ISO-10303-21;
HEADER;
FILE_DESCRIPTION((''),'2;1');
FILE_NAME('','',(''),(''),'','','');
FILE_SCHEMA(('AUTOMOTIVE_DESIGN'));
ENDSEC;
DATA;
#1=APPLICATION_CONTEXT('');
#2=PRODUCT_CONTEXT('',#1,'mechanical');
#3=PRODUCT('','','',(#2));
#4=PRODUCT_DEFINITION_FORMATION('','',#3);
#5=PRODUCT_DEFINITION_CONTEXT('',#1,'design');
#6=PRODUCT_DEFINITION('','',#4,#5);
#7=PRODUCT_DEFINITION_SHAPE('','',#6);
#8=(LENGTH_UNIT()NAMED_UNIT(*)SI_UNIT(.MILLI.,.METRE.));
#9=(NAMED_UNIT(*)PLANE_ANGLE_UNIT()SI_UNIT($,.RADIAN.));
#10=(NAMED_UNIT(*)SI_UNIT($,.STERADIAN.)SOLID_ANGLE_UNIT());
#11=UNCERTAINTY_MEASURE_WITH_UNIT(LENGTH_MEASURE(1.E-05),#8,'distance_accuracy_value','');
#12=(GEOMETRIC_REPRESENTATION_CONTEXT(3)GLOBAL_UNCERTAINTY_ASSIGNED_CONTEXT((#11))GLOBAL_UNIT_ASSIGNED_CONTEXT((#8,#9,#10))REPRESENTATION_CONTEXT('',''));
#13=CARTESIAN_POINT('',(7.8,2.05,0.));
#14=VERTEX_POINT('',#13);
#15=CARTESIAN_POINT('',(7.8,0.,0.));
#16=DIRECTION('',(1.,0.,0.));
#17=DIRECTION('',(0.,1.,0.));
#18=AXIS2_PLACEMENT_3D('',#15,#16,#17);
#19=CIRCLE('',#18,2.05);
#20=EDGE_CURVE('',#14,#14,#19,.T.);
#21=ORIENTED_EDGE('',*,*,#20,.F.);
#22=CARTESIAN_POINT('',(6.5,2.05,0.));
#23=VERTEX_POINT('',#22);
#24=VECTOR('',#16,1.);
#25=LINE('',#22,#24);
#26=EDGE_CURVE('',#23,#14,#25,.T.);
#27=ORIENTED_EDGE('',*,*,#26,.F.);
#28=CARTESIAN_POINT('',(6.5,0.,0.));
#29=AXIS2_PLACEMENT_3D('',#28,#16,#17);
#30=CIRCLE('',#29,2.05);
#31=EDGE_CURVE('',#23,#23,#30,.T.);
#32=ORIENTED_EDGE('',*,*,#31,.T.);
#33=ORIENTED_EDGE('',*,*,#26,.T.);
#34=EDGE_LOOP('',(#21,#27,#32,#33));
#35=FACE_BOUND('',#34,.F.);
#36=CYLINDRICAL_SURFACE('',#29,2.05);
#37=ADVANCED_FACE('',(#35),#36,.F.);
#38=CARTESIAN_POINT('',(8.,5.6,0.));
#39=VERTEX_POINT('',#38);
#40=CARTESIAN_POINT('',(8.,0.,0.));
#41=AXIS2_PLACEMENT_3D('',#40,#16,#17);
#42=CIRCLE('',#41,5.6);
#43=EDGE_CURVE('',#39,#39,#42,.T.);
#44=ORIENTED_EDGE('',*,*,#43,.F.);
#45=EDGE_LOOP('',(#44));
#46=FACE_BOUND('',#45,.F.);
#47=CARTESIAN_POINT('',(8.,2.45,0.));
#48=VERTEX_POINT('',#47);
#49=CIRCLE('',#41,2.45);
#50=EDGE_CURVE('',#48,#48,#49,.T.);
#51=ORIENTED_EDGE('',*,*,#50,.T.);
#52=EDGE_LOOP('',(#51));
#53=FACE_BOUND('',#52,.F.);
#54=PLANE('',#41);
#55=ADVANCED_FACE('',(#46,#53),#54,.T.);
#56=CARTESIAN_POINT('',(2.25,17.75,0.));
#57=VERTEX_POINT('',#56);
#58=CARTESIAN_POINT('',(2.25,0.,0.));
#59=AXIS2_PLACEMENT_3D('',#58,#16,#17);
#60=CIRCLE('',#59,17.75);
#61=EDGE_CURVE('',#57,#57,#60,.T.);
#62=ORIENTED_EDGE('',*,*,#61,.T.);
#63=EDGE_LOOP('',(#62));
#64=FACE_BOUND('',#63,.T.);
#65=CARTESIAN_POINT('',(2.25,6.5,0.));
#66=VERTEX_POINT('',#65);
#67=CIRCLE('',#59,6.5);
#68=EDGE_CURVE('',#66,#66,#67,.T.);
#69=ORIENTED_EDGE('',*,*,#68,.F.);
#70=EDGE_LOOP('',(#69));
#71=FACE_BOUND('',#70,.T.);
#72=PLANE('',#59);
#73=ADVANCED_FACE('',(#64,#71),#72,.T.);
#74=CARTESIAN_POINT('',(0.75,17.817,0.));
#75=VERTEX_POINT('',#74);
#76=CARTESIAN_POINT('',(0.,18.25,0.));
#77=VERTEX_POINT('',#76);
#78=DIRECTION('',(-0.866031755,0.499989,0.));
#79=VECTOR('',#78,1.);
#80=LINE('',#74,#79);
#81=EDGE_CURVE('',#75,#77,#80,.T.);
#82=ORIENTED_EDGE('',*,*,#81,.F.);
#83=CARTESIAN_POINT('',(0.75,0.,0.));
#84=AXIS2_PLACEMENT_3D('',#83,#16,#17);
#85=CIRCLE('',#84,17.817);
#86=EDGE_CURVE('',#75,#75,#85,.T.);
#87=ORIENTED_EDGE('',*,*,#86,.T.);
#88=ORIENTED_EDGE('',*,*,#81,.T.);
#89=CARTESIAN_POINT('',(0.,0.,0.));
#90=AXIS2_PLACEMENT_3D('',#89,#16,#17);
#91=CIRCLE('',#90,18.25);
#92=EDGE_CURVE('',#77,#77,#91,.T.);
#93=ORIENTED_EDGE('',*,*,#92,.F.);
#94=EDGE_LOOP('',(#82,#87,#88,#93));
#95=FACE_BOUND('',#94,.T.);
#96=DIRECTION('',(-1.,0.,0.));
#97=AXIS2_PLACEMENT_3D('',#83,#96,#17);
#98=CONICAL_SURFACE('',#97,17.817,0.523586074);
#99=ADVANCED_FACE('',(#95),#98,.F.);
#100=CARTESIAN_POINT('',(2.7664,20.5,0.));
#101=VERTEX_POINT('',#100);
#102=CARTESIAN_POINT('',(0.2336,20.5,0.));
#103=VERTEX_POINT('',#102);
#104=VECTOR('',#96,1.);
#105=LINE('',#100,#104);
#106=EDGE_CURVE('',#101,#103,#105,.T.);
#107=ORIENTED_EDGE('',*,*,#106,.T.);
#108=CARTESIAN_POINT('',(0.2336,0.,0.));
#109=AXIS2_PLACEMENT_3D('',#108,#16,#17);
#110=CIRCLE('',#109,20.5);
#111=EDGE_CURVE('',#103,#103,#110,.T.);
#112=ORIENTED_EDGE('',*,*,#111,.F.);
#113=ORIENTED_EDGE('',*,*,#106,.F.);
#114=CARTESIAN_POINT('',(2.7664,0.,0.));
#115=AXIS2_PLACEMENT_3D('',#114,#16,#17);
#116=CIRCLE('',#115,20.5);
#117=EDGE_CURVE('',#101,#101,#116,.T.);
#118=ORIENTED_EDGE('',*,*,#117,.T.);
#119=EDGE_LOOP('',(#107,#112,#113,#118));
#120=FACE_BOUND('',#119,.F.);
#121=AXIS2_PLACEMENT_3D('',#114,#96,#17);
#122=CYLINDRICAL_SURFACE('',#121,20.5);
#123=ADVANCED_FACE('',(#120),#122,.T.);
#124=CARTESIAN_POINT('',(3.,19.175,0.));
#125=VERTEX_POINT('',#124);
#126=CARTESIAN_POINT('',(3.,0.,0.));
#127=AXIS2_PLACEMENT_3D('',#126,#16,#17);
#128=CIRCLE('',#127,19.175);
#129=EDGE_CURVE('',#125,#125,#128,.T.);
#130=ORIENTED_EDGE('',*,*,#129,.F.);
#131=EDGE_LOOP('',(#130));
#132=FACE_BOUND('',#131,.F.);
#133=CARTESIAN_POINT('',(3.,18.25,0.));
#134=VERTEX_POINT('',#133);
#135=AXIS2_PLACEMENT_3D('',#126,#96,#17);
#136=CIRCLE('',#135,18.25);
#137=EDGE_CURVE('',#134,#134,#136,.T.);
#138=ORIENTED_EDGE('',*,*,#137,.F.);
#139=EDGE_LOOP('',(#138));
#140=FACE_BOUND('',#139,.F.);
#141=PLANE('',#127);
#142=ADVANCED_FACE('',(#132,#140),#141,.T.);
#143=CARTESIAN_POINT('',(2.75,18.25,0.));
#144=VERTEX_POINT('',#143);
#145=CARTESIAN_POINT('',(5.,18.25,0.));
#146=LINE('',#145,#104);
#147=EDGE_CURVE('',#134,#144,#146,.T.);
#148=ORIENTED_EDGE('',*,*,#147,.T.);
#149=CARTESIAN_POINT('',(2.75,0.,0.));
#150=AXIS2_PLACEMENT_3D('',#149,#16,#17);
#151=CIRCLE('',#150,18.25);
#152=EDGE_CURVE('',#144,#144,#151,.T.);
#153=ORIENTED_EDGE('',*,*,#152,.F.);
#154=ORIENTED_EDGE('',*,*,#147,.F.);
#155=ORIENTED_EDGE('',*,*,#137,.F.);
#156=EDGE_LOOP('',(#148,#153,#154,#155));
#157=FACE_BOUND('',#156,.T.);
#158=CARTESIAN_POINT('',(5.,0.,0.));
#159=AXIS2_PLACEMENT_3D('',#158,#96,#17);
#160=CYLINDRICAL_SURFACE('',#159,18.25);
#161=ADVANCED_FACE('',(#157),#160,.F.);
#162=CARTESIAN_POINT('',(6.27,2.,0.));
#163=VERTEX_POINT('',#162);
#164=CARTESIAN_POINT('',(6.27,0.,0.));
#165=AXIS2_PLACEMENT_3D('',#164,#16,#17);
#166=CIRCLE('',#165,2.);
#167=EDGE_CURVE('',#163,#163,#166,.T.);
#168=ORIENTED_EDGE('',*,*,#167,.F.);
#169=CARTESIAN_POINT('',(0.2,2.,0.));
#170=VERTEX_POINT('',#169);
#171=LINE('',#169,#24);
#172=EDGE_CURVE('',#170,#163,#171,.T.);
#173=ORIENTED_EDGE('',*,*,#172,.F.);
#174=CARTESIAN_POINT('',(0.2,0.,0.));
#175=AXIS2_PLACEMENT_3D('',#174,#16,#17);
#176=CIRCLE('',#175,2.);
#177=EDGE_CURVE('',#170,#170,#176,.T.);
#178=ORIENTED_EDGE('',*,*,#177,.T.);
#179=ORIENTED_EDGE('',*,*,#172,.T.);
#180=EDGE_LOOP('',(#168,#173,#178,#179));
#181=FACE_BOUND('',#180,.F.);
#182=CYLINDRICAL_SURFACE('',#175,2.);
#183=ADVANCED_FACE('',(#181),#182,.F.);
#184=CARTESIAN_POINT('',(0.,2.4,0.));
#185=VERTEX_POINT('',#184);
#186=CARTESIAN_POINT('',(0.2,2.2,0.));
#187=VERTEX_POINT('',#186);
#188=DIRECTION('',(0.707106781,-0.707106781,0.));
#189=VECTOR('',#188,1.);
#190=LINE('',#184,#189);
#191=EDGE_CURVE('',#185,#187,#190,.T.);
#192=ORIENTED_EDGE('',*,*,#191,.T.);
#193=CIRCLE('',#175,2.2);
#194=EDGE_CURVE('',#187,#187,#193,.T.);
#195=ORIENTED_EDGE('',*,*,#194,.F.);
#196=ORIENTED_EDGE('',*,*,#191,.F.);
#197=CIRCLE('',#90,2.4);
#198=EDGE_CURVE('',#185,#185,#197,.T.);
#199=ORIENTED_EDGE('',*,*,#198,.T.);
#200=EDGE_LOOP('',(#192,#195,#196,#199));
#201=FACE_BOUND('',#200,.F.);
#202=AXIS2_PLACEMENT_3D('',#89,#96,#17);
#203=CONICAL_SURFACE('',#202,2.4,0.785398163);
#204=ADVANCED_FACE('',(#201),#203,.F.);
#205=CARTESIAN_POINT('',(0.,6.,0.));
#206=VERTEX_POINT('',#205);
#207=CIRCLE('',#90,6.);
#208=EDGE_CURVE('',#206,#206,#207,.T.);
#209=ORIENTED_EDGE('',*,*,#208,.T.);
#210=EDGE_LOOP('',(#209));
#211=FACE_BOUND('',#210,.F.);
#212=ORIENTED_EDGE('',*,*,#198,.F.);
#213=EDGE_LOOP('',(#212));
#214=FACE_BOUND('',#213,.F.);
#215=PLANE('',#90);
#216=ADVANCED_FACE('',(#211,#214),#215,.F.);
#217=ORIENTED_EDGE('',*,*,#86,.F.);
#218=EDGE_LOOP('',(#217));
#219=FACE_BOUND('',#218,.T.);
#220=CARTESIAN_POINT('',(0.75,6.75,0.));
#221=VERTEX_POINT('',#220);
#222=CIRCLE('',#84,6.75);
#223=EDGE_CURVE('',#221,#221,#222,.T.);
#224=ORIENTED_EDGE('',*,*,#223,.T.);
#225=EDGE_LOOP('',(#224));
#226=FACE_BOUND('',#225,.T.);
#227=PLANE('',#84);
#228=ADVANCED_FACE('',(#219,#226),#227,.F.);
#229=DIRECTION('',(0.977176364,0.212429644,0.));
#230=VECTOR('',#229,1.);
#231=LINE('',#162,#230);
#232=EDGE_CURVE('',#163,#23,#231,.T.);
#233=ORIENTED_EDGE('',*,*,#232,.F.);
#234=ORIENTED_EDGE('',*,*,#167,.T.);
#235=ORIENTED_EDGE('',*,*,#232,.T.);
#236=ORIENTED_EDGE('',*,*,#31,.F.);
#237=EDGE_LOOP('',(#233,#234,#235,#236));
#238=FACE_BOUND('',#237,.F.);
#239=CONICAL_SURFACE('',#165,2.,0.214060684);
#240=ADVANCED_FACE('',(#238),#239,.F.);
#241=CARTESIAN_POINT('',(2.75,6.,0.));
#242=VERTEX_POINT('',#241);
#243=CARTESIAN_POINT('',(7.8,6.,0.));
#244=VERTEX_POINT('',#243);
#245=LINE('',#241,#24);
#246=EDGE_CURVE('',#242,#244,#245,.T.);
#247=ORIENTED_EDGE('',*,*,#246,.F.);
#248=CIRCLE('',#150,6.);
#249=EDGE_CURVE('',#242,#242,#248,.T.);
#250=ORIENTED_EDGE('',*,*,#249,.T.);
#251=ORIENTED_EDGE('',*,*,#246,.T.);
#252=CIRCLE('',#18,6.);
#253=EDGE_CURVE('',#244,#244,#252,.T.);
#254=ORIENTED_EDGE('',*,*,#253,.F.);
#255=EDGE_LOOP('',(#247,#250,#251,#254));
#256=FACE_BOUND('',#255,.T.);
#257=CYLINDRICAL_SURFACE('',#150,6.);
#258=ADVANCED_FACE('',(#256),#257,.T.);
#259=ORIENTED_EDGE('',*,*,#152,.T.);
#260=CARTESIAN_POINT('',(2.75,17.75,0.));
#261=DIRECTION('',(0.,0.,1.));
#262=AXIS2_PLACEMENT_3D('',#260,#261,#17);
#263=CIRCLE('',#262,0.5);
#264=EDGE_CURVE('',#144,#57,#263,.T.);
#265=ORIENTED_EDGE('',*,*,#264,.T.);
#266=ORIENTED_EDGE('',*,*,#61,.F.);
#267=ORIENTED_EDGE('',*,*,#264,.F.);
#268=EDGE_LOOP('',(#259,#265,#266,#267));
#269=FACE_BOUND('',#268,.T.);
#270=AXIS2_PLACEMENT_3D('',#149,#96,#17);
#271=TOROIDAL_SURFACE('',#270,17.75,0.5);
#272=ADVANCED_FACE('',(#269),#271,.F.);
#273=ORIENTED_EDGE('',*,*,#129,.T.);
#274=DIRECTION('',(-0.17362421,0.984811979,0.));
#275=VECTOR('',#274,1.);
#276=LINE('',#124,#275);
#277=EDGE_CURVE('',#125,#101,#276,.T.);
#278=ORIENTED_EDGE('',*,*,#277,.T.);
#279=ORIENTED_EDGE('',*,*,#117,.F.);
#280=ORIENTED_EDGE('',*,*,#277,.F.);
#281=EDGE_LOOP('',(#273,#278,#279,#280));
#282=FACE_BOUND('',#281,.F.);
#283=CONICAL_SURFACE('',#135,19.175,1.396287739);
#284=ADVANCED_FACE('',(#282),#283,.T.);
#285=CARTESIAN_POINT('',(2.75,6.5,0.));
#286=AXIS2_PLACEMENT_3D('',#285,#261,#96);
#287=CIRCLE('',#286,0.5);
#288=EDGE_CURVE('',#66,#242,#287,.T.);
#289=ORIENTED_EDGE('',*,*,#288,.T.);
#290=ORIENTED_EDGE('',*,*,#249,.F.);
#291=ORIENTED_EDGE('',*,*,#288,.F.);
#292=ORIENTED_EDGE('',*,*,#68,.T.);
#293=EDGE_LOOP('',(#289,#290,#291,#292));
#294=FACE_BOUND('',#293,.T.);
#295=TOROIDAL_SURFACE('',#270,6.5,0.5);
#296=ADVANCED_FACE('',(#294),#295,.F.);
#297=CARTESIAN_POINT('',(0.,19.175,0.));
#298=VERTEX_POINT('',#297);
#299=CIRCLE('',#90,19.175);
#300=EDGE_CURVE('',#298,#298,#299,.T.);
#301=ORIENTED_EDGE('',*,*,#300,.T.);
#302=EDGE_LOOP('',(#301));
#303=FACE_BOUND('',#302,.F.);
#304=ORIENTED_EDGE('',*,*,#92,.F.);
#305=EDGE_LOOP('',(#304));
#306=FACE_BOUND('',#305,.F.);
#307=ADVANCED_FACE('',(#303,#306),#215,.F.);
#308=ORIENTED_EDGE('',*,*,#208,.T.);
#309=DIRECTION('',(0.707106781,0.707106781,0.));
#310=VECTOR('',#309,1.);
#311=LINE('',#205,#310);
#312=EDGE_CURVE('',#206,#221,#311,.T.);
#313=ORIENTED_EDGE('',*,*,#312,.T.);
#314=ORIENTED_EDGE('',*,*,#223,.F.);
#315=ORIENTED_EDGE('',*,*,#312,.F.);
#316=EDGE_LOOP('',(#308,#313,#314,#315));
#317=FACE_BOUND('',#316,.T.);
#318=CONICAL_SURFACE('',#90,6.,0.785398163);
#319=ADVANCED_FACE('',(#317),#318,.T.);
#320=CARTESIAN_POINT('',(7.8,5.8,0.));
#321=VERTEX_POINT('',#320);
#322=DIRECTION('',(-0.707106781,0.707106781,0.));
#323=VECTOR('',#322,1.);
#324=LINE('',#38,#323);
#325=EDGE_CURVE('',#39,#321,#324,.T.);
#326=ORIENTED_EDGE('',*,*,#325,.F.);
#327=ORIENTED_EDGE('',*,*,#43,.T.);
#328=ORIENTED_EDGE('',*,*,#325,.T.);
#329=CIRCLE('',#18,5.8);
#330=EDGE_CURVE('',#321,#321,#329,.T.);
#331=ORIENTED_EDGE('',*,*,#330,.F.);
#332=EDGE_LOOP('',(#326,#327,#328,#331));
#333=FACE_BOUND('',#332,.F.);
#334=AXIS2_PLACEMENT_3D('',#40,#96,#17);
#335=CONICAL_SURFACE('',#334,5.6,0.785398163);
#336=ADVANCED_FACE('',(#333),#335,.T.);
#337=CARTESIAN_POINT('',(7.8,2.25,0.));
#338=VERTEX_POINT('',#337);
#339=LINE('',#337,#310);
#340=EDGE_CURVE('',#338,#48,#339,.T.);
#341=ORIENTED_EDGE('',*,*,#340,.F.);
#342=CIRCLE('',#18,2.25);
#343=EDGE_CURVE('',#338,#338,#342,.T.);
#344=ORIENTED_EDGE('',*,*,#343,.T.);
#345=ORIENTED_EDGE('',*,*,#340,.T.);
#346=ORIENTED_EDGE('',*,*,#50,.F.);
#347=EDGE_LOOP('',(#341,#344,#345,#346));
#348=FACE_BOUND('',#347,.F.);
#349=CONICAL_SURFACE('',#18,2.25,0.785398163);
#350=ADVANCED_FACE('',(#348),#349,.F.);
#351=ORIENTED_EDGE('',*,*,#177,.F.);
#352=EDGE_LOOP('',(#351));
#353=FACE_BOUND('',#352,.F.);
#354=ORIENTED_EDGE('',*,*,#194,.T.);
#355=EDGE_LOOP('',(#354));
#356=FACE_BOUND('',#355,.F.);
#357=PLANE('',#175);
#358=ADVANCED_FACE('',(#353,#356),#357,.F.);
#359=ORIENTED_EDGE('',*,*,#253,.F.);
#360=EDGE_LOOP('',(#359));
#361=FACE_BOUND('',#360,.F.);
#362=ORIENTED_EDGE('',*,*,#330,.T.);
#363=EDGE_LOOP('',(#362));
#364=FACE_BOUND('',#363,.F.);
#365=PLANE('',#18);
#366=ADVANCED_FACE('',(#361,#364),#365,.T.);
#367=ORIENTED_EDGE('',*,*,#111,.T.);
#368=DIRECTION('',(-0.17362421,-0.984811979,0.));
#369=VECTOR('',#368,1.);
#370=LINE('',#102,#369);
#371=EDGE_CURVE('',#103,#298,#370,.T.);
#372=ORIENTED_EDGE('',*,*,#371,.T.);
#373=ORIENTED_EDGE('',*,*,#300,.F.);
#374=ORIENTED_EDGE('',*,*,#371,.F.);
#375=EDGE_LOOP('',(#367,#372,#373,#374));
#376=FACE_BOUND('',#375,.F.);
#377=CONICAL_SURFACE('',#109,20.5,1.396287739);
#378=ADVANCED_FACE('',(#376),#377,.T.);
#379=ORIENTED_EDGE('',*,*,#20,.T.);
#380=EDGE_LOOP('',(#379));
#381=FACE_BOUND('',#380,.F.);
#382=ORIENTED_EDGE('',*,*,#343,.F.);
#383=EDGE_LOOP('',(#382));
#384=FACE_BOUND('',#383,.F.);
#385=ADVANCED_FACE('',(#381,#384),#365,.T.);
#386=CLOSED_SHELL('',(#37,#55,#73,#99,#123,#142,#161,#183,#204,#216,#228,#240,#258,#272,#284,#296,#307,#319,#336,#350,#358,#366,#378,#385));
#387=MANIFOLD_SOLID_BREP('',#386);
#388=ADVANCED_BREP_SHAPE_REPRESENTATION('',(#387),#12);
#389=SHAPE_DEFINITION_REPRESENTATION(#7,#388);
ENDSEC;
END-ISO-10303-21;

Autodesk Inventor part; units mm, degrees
ref_plane "YZ Plane" through (0, 0, 0) normal (1, 0, 0) x (0, 1, 0)
ref_plane "XZ Plane" through (0, 0, 0) normal (0, 1, 0) x (-1, 0, 0)
ref_plane "XY Plane" through (0, 0, 0) normal (0, 0, 1) x (1, 0, 0)
sketch "Sketch_2" plane through (0, 0, 0) normal (0, 0, 1) x (1, 0, 0)
  line L0 (8, 0) -> (0, 0)
  line L1 (0, 2.4) -> (0.2, 2.2)
  line L2 (0.2, 2.2) -> (0.2, 2)
  line L3 (0.2, 2) -> (6.27, 2)
  line L4 (6.27, 2) -> (6.5, 2.05)
  line L5 (6.5, 2.05) -> (7.8, 2.05)
  line L6 (7.8, 2.05) -> (7.8, 2.25)
  line L7 (7.8, 2.25) -> (8, 2.45)
  line L8 (8, 2.45) -> (8, 5.6)
  line L9 (8, 5.6) -> (7.8, 5.8)
  line L10 (7.8, 5.8) -> (7.8, 6)
  line L11 (7.8, 6) -> (3.5, 6)
  arc A0 (3, 6.5) -> (3.5, 6) centre (3.5, 6.5) ccw
  line L12 (3, 6.5) -> (3, 19.175)
  line L13 (3, 19.175) -> (2.7664, 20.5)
  line L14 (2.7664, 20.5) -> (0.2336, 20.5)
  line L15 (0.2336, 20.5) -> (0, 19.175)
  line L16 (0, 19.175) -> (0, 2.4)
revolve "Revolution1" add sketch "Sketch_2" angle 360 about axis through (8, 0, 0) along (1, 0, 0)
sketch "Sketch_3" plane through (0, 0, 0) normal (0, 0, 1) x (1, 0, 0)
  line L0 (0.75, 0) -> (0, 0)
  line L1 (-2, 18.25) -> (-2, 6)
  line L2 (-2, 6) -> (0, 6)
  line L3 (0, 6) -> (0.75, 6.75)
  line L4 (0.75, 6.75) -> (0.75, 17.817)
  line L5 (0.75, 17.817) -> (0, 18.25)
  line L6 (0, 18.25) -> (-2, 18.25)
revolve "Revolution2" cut sketch "Sketch_3" angle 360 about axis through (0.75, 0, 0) along (1, 0, 0)
sketch "Sketch_4" plane through (0, 0, 0) normal (0, 0, 1) x (1, 0, 0)
  line L0 (3, 0) -> (2.25, 0)
  line L1 (2.25, 17.75) -> (2.25, 6.5)
  arc A0 (2.25, 6.5) -> (2.75, 6) centre (2.75, 6.5) ccw
  line L2 (2.75, 6) -> (5, 6)
  line L3 (5, 6) -> (5, 18.25)
  line L4 (5, 18.25) -> (2.75, 18.25)
  arc A1 (2.75, 18.25) -> (2.25, 17.75) centre (2.75, 17.75) ccw
revolve "Revolution3" cut sketch "Sketch_4" angle 360 about axis through (3, 0, 0) along (1, 0, 0)
properties part number "焼結ギア" material "鋼、高強度、低合金"
